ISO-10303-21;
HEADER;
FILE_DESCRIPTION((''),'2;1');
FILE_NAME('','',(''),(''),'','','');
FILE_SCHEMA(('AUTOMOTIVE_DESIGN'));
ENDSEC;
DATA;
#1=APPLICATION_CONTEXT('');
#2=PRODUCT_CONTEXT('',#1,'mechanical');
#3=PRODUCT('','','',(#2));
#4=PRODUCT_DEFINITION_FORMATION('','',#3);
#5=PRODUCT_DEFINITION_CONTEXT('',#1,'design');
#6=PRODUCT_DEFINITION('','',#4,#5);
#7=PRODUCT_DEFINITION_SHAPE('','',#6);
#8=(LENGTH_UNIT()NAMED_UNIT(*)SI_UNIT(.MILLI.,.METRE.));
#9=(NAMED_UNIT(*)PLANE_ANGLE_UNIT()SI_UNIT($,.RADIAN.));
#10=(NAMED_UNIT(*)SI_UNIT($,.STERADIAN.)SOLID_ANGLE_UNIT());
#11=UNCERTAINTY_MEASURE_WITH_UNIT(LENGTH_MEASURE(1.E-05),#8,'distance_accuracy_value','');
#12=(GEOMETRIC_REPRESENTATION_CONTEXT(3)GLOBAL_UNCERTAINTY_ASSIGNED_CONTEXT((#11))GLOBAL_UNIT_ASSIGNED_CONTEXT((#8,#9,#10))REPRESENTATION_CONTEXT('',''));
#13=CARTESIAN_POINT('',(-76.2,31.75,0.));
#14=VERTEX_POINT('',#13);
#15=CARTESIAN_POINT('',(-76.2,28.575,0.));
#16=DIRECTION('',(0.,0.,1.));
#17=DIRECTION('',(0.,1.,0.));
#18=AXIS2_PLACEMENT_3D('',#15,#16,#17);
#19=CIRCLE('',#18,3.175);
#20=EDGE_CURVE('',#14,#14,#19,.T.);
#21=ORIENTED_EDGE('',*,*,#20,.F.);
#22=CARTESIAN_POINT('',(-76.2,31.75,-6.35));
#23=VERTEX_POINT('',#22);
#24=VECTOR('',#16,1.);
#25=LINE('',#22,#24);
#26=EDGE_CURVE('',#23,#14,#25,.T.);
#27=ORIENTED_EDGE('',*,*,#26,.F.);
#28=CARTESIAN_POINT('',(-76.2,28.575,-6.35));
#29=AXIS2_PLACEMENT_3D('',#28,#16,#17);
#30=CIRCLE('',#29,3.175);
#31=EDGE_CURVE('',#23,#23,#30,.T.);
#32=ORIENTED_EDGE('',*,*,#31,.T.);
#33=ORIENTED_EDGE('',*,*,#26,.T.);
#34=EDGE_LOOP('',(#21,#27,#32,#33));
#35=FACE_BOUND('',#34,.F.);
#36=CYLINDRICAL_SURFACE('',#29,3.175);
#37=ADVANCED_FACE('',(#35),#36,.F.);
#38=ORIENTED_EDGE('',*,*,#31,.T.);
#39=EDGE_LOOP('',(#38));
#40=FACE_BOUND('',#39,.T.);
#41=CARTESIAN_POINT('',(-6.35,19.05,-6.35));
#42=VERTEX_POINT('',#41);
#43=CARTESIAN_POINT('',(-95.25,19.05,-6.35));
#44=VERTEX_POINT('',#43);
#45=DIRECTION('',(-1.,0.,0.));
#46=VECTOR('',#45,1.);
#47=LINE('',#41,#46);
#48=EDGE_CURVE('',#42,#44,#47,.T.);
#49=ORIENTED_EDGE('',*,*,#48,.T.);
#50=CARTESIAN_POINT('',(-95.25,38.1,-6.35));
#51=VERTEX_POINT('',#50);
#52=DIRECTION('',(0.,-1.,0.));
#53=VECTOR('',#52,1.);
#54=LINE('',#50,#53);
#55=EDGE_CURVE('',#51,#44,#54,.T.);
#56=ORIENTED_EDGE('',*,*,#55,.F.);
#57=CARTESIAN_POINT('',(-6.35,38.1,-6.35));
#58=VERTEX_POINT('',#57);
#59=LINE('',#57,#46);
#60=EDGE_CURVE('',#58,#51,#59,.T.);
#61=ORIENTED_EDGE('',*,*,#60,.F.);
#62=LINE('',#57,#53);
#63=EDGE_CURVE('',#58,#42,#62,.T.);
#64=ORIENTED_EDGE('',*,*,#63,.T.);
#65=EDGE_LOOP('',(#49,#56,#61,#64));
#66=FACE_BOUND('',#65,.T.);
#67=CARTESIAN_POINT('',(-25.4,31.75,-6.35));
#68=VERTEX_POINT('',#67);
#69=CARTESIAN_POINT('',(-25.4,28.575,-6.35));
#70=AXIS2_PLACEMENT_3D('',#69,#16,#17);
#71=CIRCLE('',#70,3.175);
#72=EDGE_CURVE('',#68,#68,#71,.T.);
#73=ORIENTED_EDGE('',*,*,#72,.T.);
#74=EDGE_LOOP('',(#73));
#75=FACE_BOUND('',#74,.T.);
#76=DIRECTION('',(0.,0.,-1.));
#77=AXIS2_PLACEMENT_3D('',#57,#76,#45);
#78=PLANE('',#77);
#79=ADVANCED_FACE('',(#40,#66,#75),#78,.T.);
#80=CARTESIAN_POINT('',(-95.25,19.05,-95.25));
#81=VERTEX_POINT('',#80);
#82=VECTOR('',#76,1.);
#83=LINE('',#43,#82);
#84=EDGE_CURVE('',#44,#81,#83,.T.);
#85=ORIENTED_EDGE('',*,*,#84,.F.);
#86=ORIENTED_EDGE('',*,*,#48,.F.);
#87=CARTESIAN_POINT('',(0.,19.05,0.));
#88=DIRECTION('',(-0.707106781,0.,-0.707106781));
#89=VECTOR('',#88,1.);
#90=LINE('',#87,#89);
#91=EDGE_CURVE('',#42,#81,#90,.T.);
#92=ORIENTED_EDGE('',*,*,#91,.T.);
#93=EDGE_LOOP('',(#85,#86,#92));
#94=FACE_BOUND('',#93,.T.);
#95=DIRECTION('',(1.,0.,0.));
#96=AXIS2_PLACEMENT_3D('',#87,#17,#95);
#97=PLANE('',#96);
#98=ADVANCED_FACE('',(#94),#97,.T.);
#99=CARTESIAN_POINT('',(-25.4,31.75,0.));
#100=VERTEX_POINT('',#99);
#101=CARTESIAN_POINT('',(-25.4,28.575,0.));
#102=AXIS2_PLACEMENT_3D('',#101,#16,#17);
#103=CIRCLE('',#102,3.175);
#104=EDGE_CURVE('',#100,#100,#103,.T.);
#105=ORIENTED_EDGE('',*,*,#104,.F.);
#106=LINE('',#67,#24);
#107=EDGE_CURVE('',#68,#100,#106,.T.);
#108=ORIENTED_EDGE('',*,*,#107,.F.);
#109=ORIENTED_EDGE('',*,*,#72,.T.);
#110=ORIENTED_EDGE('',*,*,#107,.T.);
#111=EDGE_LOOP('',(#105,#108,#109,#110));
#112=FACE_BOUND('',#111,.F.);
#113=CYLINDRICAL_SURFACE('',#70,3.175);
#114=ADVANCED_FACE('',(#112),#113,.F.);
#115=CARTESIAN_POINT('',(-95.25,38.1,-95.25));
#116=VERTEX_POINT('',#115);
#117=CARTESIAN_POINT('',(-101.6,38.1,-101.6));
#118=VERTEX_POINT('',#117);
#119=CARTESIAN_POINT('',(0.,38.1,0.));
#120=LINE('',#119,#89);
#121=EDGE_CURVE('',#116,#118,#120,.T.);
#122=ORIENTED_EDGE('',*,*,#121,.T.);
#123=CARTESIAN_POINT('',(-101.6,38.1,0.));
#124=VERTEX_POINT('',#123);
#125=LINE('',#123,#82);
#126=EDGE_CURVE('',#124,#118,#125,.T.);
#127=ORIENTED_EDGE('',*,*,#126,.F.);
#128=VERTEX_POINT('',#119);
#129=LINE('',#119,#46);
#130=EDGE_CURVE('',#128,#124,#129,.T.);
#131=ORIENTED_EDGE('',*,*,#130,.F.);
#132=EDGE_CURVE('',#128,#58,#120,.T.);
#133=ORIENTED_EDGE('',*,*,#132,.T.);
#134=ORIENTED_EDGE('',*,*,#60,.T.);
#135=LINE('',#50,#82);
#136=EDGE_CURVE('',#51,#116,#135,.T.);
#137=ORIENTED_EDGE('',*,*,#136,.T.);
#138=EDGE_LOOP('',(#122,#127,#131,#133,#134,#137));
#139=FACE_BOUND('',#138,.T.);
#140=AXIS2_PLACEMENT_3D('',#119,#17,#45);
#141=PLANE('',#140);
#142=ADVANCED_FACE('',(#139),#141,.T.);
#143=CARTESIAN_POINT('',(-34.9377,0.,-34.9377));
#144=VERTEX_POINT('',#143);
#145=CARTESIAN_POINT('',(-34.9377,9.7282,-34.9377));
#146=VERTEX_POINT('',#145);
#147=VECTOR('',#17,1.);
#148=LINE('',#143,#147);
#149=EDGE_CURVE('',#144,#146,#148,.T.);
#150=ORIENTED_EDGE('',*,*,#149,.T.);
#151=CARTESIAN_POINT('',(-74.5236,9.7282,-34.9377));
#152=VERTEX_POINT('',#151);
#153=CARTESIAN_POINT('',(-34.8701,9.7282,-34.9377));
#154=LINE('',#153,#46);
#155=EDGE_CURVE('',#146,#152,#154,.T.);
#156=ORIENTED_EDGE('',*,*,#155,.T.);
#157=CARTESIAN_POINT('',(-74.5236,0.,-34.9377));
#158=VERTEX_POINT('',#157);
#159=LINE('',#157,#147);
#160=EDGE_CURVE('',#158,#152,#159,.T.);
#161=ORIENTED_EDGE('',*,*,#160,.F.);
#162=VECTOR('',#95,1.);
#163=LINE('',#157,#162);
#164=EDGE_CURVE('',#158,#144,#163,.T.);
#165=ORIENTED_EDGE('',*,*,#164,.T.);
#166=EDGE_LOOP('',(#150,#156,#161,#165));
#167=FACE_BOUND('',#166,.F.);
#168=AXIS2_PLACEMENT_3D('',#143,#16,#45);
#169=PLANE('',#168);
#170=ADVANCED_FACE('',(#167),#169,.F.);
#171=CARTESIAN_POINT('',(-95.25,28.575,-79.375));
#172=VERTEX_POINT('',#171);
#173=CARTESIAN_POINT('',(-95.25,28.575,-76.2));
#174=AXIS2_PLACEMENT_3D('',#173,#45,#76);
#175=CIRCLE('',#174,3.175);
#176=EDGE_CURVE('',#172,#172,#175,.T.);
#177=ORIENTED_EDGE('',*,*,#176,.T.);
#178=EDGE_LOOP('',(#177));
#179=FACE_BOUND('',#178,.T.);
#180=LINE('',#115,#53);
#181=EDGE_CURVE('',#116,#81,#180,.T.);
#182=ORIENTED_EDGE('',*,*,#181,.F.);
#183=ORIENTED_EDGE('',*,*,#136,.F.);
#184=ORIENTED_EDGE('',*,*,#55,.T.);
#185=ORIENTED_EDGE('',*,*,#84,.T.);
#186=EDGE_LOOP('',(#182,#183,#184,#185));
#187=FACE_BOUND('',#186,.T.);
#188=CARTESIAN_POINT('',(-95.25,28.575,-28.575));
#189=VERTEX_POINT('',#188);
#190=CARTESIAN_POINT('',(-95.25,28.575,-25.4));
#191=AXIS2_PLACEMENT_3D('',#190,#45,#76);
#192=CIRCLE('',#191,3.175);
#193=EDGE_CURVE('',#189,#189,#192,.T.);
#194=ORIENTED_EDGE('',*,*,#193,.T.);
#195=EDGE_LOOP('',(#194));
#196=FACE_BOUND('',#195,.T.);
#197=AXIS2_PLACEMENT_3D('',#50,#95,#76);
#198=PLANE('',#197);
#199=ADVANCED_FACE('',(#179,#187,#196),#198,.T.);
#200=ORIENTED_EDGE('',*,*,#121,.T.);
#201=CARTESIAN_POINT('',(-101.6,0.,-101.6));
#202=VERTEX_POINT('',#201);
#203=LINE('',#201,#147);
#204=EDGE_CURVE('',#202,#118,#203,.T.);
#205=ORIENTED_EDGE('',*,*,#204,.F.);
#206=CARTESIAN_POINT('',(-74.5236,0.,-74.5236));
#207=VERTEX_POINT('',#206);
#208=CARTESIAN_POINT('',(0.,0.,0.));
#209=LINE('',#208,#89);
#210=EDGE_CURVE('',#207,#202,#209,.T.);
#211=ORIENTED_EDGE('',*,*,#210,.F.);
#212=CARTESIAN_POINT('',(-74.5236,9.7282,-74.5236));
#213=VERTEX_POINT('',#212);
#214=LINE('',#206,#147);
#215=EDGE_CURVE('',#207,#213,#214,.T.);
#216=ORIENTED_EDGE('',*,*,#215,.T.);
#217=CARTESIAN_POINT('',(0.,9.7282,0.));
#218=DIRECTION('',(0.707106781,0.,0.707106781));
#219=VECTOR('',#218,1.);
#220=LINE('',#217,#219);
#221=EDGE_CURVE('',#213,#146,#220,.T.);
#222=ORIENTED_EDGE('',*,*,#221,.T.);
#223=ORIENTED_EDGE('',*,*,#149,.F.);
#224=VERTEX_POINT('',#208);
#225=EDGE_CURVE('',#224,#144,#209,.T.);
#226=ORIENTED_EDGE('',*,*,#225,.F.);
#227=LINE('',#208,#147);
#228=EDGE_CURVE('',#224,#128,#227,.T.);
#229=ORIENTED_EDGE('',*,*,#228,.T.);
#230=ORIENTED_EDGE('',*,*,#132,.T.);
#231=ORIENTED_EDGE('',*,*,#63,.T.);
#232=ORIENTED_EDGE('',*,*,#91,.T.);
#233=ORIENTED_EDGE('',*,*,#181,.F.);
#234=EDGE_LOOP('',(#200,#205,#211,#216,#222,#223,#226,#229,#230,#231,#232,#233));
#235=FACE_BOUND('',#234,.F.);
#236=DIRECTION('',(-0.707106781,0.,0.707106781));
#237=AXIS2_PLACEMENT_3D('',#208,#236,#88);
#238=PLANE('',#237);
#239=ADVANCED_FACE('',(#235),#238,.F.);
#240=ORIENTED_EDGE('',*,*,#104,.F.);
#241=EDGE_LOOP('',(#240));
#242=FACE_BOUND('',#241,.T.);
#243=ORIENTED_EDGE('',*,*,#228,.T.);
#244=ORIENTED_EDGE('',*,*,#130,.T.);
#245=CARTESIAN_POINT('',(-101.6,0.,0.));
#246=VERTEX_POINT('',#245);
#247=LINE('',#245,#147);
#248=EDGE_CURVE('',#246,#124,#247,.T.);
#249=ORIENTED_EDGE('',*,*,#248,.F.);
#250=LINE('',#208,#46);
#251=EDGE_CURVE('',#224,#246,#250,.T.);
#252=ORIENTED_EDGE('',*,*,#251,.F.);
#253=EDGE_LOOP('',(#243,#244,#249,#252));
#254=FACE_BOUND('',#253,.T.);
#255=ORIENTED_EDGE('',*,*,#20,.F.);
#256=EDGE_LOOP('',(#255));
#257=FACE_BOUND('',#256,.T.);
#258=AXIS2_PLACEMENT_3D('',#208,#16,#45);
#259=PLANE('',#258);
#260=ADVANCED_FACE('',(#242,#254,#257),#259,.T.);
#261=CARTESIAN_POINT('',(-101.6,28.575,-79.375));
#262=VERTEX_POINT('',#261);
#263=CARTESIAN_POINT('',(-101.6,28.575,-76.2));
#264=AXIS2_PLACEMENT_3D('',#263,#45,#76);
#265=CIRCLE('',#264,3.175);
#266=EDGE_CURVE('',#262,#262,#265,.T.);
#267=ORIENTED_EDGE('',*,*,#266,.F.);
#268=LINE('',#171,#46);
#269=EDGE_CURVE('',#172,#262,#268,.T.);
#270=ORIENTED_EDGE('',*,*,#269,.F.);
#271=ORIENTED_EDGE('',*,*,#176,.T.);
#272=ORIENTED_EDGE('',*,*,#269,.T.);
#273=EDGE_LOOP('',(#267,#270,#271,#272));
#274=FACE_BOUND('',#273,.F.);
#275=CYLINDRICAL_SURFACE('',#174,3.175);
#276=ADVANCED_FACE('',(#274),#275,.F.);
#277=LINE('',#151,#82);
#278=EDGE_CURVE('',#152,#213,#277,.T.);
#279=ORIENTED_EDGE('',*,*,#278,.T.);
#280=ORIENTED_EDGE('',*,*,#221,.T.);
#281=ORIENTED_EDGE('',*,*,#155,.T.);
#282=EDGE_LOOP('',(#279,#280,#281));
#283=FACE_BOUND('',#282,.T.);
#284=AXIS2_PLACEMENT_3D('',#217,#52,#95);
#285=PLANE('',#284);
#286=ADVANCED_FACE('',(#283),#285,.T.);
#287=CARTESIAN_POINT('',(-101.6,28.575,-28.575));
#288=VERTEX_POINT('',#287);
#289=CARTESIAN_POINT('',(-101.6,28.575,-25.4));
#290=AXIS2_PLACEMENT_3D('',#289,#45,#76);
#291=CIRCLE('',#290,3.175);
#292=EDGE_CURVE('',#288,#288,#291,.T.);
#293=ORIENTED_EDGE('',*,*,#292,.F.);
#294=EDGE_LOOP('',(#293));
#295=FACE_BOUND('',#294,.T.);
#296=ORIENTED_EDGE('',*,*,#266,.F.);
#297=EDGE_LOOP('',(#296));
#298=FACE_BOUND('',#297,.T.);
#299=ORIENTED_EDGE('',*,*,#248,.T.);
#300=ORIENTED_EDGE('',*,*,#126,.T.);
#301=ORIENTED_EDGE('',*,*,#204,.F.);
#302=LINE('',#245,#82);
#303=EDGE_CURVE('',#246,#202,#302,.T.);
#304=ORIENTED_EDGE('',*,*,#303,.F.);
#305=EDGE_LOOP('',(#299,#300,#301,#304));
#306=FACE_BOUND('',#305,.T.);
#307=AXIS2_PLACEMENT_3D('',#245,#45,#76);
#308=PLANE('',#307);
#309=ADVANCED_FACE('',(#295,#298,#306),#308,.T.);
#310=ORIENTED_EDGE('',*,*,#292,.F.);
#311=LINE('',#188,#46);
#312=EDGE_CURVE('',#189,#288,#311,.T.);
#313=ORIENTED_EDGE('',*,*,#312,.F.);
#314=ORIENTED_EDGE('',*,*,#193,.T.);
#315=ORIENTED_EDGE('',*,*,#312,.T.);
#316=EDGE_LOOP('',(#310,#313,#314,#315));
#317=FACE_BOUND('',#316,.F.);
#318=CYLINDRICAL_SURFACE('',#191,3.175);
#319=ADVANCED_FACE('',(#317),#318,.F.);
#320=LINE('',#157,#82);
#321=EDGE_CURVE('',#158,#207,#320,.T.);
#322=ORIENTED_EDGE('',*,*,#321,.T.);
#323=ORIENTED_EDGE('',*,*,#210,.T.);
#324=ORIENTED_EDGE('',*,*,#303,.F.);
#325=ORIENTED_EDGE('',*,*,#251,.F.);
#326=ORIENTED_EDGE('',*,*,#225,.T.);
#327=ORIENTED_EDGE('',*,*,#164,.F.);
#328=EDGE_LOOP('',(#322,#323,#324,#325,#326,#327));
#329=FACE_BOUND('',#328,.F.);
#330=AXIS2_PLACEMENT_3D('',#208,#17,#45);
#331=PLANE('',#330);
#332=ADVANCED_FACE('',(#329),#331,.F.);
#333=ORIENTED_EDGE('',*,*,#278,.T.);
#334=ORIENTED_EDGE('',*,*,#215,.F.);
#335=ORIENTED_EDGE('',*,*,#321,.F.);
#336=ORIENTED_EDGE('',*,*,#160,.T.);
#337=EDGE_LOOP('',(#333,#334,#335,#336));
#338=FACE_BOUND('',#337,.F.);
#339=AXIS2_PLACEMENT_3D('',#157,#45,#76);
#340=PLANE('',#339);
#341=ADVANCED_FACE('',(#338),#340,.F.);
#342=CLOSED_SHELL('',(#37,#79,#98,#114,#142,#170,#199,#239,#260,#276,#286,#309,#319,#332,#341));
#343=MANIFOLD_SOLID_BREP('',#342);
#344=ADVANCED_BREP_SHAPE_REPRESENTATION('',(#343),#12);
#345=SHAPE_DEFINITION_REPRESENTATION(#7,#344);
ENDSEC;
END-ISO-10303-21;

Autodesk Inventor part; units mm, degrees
ref_plane "YZ Plane" through (0, 0, 0) normal (1, 0, 0) x (0, 1, 0)
ref_plane "XZ Plane" through (0, 0, 0) normal (0, 1, 0) x (-1, 0, 0)
ref_plane "XY Plane" through (0, 0, 0) normal (0, 0, 1) x (1, 0, 0)
sketch "Sketch1" plane through (0, 0, 0) normal (0, 1, 0) x (-1, 0, 0)
  line L0 (0, 0) -> (101.6, 0)
  line L1 (101.6, 0) -> (101.6, -101.6)
  line L2 (0, 0) -> (101.6, -101.6)
  dimension "d2" = 101.6
  dimension "d3" = 101.6
extrude "Extrusion1" add sketch "Sketch1" along normal blind 38.1
sketch "Sketch2" plane through (0, 38.1, 0) normal (0, 1, 0) x (1, 0, 0)
  line L0 (-101.6, 0) -> (0, 0) projected
  line L1 (-101.6, 101.6) -> (-101.6, 0) projected
  line L2 (-6.35, 6.35) -> (-95.25, 6.35)
  line L3 (-95.25, 6.35) -> (-95.25, 95.25)
  line L4 (0, 0) -> (-101.6, 101.6) projected
  line L5 (-6.35, 6.35) -> (-95.25, 95.25)
  dimension "d6" = 6.35
extrude "Extrusion2" cut sketch "Sketch2" against normal blind 19.05 contours L2 L3 L4
hole "Hole1" at (-95.25, 28.575, -76.2) direction (-1, 0, 0) diameter 6.35 end through all
hole "Hole2" at (-95.25, 28.575, -25.4) direction (-1, 0, 0) diameter 6.35 end through all
hole "Hole3" at (-25.4, 28.575, -6.35) direction (0, 0, 1) diameter 6.35 end through all
hole "Hole4" at (-76.2, 28.575, -6.35) direction (0, 0, 1) diameter 6.35 end through all
sketch "Sketch3" plane through (0, 0, 0) normal (0, -1, 0) x (1, 0, 0)
  line L0 (-74.5236, -579.4502) -> (246.1514, -579.4502) projected
  line L1 (-74.5236, -34.9377) -> (-74.5236, -579.4502) projected
  line L2 (246.1514, -34.9377) -> (-74.5236, -34.9377) projected
  line L3 (246.1514, -579.4502) -> (246.1514, -34.9377) projected
  line L4 (-74.5236, -34.9377) -> (-74.5236, -74.5236)
  line L5 (-101.6, -101.6) -> (0, 0) projected
  line L6 (-34.8701, -34.9377) -> (-74.5236, -34.9377)
  line L7 (-34.8701, -34.9377) -> (-74.5236, -74.5236)
extrude "Extrusion3" cut sketch "Sketch3" against normal blind 9.7282 contours L1 L2 L5 | L5 L2 L7
properties part number "bracket"
